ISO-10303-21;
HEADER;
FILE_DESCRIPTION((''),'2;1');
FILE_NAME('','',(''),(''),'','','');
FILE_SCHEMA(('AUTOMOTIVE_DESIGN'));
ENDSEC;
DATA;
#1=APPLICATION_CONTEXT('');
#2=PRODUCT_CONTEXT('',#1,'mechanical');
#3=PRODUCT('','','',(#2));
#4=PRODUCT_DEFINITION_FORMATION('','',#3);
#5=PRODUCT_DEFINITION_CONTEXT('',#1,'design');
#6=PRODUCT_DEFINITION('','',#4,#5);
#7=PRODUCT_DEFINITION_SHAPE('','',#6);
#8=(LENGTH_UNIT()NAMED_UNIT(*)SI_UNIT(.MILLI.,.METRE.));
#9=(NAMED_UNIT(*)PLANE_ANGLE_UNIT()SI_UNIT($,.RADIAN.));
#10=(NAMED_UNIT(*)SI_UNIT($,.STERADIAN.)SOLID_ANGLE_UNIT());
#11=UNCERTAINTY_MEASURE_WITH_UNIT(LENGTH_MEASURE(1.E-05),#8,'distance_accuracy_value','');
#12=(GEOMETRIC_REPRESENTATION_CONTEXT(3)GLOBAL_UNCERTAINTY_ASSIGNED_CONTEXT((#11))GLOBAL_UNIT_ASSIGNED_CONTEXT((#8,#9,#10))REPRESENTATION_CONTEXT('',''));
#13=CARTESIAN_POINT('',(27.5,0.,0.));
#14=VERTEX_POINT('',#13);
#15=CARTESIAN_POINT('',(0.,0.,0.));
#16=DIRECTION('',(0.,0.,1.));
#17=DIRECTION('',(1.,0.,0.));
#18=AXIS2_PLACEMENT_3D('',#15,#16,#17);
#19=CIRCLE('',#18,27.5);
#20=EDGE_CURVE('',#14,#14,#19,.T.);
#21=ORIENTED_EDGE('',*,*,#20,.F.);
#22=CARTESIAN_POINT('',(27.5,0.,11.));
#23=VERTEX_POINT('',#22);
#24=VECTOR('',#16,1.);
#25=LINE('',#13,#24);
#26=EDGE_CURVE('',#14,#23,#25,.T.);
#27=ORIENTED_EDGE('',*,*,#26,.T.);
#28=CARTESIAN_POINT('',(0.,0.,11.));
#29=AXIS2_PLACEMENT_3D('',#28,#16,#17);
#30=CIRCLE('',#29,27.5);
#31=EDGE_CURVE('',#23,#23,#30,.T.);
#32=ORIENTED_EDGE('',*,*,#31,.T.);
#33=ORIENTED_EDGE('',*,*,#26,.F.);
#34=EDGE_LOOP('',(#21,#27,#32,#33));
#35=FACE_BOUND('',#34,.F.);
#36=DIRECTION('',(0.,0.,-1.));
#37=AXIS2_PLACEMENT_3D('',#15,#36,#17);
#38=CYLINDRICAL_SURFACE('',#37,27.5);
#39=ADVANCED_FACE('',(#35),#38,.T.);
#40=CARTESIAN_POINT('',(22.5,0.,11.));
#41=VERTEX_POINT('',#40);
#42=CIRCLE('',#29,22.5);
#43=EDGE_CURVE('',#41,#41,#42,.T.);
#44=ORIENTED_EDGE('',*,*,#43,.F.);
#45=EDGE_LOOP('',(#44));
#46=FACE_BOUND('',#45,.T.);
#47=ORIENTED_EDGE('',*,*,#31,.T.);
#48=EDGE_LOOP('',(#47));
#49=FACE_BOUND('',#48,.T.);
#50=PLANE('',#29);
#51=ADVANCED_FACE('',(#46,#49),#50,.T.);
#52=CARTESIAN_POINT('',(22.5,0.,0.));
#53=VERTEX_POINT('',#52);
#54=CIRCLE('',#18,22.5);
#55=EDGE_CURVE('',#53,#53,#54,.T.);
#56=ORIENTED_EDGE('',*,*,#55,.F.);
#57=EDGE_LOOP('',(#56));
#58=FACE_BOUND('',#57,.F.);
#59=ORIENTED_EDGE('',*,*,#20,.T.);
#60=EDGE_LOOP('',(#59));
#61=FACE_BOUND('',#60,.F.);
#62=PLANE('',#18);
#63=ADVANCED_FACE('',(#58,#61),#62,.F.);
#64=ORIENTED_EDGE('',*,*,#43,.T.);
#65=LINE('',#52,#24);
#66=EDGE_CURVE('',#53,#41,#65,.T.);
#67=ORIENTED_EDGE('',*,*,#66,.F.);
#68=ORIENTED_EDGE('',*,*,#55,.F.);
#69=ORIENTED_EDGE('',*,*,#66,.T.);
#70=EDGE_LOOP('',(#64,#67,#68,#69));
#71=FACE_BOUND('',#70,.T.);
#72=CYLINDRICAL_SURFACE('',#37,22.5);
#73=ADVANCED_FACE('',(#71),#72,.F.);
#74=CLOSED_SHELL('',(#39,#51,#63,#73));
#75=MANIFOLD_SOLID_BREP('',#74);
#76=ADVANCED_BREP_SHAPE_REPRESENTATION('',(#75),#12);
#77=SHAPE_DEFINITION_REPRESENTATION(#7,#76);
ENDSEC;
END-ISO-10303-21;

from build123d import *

# Parameters (mm, degrees)
SKETCH_R   = 27.5
SKETCH_R_2 = 22.5
PAD_DEPTH  = 11


with BuildPart() as part:
    # Sketch → Pad (new body)
    with BuildSketch(Plane.XY):
        Circle(SKETCH_R)
        Circle(SKETCH_R_2, mode=Mode.SUBTRACT)
    extrude(amount=PAD_DEPTH)


solid = part.part
